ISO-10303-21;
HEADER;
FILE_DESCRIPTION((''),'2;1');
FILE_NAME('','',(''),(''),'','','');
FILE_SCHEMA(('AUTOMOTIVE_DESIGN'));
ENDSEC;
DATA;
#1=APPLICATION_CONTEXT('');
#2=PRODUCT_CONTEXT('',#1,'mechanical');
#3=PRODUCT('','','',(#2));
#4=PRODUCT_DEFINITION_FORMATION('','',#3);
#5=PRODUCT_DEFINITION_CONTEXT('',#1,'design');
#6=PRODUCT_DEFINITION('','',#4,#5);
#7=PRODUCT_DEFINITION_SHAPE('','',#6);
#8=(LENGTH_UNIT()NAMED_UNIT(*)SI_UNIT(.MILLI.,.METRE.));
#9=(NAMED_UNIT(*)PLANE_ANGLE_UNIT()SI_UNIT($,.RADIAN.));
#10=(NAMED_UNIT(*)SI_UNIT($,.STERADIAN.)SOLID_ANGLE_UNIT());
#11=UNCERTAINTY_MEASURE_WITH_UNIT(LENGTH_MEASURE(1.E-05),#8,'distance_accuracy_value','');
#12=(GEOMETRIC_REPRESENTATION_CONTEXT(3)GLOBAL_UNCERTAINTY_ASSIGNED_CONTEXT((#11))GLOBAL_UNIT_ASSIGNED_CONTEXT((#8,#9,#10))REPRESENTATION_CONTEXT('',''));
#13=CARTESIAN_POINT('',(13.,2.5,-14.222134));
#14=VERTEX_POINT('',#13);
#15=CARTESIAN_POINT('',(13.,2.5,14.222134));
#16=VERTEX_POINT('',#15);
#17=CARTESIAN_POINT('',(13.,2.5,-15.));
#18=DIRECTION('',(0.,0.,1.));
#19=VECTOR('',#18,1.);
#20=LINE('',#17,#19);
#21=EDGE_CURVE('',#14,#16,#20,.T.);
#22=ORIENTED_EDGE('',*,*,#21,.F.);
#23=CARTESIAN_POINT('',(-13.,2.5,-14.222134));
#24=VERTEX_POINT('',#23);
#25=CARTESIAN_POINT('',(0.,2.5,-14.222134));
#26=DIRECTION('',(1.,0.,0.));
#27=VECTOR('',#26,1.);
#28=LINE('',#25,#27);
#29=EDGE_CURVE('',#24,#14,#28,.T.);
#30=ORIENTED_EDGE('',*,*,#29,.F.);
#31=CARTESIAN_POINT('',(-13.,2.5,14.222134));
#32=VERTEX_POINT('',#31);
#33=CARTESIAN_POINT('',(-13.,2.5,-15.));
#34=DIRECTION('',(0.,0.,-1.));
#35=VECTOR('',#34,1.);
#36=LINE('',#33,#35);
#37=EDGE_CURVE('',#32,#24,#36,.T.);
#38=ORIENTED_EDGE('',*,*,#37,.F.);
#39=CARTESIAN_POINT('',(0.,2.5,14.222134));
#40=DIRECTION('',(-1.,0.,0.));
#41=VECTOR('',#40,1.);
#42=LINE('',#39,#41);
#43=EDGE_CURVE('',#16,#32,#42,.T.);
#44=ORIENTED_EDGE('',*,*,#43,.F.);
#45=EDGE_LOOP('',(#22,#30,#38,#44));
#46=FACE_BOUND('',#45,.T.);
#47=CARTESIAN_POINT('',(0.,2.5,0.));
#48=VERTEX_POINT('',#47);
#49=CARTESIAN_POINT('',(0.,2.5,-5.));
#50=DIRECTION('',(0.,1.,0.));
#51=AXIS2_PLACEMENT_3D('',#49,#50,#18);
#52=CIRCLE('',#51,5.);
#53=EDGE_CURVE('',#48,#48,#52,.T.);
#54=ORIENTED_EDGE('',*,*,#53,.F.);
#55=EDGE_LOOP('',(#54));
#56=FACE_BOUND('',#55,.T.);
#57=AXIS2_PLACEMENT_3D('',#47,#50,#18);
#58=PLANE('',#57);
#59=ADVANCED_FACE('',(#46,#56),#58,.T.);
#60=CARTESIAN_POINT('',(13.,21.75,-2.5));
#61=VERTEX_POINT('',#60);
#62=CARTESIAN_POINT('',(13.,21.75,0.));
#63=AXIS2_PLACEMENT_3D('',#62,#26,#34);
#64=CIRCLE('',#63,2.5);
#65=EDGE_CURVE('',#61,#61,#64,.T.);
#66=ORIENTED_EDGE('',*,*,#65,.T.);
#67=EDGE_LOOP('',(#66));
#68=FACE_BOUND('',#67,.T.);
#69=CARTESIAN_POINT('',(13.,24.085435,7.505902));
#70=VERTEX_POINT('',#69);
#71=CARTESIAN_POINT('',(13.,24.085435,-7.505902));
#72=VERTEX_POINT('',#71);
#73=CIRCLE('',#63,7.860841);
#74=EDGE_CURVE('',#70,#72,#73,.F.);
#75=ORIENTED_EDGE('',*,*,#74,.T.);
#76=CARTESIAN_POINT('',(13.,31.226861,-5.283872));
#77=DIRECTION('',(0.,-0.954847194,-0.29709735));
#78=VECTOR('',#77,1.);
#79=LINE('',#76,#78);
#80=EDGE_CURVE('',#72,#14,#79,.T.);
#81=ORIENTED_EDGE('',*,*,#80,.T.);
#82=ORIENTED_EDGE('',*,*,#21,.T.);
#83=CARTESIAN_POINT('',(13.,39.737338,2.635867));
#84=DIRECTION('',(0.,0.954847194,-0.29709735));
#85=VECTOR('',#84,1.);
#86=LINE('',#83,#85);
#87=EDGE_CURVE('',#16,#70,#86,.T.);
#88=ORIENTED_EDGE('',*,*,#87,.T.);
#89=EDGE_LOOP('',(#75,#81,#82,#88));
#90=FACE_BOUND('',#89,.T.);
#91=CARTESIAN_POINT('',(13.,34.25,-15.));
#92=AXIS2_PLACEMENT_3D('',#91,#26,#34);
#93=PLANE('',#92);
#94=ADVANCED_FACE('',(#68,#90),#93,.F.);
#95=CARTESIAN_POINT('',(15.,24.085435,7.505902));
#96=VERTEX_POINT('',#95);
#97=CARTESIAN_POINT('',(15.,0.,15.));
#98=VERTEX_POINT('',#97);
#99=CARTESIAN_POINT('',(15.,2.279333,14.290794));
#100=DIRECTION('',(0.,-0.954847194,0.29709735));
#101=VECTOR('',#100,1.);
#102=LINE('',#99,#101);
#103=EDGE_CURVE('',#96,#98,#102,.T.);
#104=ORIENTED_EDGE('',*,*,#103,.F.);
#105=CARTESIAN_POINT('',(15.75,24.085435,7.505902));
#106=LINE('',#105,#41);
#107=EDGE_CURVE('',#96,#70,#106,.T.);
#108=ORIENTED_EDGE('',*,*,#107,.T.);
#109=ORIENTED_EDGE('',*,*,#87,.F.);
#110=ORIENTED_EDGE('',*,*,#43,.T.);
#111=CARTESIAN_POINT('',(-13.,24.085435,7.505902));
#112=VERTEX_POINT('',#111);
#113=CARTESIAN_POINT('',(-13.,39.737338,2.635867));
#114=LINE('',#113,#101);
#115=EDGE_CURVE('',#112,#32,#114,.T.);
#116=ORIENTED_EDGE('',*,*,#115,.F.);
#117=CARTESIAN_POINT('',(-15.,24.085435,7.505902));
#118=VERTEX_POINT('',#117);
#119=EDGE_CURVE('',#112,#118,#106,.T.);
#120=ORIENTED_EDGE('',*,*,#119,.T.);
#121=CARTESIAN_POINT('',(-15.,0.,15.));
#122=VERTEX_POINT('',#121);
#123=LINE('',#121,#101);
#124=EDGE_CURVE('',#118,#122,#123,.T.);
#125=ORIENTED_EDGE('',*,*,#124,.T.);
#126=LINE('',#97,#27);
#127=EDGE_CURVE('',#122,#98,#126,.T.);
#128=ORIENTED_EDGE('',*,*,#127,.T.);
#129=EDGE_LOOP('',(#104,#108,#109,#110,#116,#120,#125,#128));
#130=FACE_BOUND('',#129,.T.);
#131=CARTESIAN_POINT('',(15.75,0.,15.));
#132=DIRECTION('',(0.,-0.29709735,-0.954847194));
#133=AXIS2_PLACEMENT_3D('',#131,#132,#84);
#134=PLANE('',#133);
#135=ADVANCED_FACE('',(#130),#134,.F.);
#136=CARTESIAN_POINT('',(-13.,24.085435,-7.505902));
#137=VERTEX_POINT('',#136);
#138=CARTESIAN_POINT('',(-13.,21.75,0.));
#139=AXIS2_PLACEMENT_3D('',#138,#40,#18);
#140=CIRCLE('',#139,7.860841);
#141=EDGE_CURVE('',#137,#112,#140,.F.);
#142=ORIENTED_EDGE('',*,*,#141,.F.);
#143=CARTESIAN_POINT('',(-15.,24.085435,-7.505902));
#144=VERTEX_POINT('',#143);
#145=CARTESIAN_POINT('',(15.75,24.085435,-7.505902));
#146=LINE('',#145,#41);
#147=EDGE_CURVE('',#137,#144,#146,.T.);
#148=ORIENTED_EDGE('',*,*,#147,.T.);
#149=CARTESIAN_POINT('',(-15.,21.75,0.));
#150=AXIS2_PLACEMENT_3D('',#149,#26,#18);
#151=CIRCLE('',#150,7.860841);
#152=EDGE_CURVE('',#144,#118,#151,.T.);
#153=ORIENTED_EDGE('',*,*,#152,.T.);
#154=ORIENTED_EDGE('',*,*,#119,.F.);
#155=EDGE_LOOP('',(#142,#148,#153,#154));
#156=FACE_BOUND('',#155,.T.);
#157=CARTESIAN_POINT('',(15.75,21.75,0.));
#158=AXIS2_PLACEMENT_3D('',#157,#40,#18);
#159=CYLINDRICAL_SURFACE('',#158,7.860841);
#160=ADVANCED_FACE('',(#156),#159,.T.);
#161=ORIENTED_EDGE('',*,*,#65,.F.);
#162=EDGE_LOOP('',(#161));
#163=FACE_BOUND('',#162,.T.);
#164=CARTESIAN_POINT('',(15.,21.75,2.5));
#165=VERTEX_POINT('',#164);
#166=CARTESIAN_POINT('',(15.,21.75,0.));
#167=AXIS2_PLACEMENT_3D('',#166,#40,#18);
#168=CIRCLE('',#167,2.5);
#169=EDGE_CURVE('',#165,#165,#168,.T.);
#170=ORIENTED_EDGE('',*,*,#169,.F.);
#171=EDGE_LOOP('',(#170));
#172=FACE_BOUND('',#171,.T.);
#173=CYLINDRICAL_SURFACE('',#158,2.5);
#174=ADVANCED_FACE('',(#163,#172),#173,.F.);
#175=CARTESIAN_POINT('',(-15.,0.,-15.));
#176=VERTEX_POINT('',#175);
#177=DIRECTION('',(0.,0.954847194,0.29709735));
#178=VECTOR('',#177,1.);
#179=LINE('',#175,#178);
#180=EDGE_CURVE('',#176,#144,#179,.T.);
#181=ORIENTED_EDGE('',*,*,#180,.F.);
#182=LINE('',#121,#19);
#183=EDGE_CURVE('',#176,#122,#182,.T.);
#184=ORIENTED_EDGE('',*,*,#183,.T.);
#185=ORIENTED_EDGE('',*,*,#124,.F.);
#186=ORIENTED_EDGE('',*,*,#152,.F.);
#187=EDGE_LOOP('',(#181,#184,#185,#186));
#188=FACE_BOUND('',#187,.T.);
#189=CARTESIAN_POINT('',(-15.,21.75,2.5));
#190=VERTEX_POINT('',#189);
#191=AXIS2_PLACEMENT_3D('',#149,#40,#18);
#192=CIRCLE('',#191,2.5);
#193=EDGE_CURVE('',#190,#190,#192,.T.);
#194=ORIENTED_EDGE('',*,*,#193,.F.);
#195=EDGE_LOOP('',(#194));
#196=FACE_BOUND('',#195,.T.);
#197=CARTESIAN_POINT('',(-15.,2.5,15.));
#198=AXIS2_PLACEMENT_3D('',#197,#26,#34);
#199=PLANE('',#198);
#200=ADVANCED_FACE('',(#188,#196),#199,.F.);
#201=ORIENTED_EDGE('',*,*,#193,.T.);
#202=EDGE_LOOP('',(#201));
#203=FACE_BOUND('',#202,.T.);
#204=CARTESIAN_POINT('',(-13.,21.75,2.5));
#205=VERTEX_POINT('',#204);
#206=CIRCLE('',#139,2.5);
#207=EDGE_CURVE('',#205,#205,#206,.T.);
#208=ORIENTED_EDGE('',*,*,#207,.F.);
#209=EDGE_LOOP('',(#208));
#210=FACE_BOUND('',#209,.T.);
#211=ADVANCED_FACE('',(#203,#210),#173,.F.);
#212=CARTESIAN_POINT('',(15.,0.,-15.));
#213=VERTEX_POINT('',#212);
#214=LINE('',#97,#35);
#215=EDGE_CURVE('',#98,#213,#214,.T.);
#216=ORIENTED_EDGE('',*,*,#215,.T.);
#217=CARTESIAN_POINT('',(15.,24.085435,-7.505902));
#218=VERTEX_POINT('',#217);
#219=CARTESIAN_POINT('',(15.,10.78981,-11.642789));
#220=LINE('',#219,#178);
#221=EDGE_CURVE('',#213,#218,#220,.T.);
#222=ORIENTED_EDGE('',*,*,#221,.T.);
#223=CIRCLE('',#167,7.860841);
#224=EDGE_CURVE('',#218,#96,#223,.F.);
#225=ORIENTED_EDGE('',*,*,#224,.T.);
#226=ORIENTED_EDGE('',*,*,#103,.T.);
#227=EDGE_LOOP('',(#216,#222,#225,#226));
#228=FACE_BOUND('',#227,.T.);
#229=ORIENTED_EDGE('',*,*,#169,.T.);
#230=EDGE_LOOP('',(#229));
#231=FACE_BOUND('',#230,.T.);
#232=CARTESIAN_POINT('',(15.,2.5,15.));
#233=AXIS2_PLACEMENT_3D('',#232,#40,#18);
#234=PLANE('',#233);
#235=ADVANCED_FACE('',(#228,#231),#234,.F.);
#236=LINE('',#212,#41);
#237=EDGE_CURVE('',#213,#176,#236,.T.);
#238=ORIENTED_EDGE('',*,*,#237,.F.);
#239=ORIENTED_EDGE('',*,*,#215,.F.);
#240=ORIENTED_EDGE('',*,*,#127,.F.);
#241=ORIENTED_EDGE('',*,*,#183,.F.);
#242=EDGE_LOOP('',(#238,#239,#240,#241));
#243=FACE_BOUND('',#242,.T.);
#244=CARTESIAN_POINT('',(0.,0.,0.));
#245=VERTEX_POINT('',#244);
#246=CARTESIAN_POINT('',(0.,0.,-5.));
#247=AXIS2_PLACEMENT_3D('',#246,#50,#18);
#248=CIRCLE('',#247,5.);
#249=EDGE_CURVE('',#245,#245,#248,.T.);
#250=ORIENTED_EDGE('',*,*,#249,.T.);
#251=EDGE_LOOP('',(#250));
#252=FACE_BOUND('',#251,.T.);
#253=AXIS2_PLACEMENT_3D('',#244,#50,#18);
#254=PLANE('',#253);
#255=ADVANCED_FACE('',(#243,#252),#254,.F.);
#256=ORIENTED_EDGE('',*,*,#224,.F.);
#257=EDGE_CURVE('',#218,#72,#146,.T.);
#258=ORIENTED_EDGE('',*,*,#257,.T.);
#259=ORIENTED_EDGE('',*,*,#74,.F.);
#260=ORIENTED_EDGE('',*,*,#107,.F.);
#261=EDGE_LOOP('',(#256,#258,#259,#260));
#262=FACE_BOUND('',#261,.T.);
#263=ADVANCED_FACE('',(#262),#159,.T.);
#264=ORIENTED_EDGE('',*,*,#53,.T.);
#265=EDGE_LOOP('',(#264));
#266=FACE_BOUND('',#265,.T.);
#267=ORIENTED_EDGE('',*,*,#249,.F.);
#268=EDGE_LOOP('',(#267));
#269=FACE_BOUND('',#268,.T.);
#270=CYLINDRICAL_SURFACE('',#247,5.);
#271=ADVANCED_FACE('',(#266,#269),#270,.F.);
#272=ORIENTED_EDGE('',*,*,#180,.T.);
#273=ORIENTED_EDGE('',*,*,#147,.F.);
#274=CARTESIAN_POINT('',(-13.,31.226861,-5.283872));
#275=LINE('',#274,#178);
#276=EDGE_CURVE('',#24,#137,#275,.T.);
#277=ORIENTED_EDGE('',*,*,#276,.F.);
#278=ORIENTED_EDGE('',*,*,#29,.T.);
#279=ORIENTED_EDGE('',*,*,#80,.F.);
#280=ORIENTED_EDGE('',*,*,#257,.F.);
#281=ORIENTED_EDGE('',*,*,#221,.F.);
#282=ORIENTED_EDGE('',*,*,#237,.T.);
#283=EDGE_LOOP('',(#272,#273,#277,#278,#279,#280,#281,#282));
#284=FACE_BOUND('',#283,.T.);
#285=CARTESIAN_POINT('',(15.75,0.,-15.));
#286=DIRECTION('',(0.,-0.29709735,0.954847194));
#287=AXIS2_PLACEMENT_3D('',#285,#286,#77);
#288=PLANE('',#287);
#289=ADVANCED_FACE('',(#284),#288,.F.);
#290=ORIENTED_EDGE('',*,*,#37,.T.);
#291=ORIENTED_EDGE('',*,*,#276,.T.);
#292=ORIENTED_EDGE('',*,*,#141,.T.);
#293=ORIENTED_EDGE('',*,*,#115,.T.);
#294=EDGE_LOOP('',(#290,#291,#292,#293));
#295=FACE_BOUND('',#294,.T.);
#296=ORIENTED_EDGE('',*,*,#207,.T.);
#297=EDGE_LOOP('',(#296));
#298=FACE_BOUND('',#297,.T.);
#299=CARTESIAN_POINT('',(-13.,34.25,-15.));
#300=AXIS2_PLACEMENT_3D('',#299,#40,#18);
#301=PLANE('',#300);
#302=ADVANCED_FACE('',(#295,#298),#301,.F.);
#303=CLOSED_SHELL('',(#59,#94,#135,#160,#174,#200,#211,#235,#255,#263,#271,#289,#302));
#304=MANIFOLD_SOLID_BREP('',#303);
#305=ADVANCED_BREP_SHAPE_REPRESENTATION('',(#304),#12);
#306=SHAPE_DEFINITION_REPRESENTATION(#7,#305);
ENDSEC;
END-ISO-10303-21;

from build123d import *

# Parameters (mm, degrees)
SKETCH1_W           = 30
SKETCH1_H           = 30
BOSS_EXTRUDE1_DEPTH = 2.5
SKETCH2_R           = 5
CUT_EXTRUDE1_DEPTH  = 2.5
SKETCH4_W           = 2
SKETCH4_H           = 30
BOSS_EXTRUDE2_DEPTH = 31.75
SKETCH5_R           = 2.5
CUT_EXTRUDE2_DEPTH  = 30.75
CUT_EXTRUDE3_DEPTH  = 30.75


with BuildPart() as part:
    # Sketch1 → Boss-Extrude1 (new body)
    with BuildSketch(Plane(origin=(0, 0, 0), x_dir=(1, 0, 0), z_dir=(0, 1, 0))):
        Rectangle(SKETCH1_W, SKETCH1_H)
    extrude(amount=BOSS_EXTRUDE1_DEPTH)

    # Sketch2 → Cut-Extrude1 (cut)
    with BuildSketch(Plane(origin=(0, 2.5, 0), x_dir=(1, 0, 0), z_dir=(0, 1, 0))):
        with Locations((0, 5)):
            Circle(SKETCH2_R)
    extrude(amount=-CUT_EXTRUDE1_DEPTH, mode=Mode.SUBTRACT)

    # Sketch4 → Boss-Extrude2 (add)
    with BuildSketch(Plane(origin=(0, 2.5, 0), x_dir=(1, 0, 0), z_dir=(0, 1, 0))):
        with Locations((-14, 0)):
            Rectangle(SKETCH4_W, SKETCH4_H)
        with Locations((14, 0)):
            Rectangle(SKETCH4_W, SKETCH4_H)
    extrude(amount=BOSS_EXTRUDE2_DEPTH)

    # Sketch5 → Cut-Extrude2 (cut)
    with BuildSketch(Plane.ZY.offset(15)):
        with Locations((0, 21.75)):
            Circle(SKETCH5_R)
    extrude(amount=-CUT_EXTRUDE2_DEPTH, mode=Mode.SUBTRACT)

    # Sketch6 → Cut-Extrude3 (cut)
    with BuildSketch(Plane.ZY.offset(15)):
        with BuildLine():
            Line((-15, 0), (-7.505901536, 24.085434897))
            ThreePointArc((-7.505901536, 24.085434897), (0, 29.610840542), (7.505901536, 24.085434897))
            Line((7.505901536, 24.085434897), (15, 0))
            Line((15, 0), (15, 34.25))
            Line((15, 34.25), (-15, 34.25))
            Line((-15, 34.25), (-15, 0))
        make_face()
    extrude(amount=-CUT_EXTRUDE3_DEPTH, mode=Mode.SUBTRACT)


solid = part.part
